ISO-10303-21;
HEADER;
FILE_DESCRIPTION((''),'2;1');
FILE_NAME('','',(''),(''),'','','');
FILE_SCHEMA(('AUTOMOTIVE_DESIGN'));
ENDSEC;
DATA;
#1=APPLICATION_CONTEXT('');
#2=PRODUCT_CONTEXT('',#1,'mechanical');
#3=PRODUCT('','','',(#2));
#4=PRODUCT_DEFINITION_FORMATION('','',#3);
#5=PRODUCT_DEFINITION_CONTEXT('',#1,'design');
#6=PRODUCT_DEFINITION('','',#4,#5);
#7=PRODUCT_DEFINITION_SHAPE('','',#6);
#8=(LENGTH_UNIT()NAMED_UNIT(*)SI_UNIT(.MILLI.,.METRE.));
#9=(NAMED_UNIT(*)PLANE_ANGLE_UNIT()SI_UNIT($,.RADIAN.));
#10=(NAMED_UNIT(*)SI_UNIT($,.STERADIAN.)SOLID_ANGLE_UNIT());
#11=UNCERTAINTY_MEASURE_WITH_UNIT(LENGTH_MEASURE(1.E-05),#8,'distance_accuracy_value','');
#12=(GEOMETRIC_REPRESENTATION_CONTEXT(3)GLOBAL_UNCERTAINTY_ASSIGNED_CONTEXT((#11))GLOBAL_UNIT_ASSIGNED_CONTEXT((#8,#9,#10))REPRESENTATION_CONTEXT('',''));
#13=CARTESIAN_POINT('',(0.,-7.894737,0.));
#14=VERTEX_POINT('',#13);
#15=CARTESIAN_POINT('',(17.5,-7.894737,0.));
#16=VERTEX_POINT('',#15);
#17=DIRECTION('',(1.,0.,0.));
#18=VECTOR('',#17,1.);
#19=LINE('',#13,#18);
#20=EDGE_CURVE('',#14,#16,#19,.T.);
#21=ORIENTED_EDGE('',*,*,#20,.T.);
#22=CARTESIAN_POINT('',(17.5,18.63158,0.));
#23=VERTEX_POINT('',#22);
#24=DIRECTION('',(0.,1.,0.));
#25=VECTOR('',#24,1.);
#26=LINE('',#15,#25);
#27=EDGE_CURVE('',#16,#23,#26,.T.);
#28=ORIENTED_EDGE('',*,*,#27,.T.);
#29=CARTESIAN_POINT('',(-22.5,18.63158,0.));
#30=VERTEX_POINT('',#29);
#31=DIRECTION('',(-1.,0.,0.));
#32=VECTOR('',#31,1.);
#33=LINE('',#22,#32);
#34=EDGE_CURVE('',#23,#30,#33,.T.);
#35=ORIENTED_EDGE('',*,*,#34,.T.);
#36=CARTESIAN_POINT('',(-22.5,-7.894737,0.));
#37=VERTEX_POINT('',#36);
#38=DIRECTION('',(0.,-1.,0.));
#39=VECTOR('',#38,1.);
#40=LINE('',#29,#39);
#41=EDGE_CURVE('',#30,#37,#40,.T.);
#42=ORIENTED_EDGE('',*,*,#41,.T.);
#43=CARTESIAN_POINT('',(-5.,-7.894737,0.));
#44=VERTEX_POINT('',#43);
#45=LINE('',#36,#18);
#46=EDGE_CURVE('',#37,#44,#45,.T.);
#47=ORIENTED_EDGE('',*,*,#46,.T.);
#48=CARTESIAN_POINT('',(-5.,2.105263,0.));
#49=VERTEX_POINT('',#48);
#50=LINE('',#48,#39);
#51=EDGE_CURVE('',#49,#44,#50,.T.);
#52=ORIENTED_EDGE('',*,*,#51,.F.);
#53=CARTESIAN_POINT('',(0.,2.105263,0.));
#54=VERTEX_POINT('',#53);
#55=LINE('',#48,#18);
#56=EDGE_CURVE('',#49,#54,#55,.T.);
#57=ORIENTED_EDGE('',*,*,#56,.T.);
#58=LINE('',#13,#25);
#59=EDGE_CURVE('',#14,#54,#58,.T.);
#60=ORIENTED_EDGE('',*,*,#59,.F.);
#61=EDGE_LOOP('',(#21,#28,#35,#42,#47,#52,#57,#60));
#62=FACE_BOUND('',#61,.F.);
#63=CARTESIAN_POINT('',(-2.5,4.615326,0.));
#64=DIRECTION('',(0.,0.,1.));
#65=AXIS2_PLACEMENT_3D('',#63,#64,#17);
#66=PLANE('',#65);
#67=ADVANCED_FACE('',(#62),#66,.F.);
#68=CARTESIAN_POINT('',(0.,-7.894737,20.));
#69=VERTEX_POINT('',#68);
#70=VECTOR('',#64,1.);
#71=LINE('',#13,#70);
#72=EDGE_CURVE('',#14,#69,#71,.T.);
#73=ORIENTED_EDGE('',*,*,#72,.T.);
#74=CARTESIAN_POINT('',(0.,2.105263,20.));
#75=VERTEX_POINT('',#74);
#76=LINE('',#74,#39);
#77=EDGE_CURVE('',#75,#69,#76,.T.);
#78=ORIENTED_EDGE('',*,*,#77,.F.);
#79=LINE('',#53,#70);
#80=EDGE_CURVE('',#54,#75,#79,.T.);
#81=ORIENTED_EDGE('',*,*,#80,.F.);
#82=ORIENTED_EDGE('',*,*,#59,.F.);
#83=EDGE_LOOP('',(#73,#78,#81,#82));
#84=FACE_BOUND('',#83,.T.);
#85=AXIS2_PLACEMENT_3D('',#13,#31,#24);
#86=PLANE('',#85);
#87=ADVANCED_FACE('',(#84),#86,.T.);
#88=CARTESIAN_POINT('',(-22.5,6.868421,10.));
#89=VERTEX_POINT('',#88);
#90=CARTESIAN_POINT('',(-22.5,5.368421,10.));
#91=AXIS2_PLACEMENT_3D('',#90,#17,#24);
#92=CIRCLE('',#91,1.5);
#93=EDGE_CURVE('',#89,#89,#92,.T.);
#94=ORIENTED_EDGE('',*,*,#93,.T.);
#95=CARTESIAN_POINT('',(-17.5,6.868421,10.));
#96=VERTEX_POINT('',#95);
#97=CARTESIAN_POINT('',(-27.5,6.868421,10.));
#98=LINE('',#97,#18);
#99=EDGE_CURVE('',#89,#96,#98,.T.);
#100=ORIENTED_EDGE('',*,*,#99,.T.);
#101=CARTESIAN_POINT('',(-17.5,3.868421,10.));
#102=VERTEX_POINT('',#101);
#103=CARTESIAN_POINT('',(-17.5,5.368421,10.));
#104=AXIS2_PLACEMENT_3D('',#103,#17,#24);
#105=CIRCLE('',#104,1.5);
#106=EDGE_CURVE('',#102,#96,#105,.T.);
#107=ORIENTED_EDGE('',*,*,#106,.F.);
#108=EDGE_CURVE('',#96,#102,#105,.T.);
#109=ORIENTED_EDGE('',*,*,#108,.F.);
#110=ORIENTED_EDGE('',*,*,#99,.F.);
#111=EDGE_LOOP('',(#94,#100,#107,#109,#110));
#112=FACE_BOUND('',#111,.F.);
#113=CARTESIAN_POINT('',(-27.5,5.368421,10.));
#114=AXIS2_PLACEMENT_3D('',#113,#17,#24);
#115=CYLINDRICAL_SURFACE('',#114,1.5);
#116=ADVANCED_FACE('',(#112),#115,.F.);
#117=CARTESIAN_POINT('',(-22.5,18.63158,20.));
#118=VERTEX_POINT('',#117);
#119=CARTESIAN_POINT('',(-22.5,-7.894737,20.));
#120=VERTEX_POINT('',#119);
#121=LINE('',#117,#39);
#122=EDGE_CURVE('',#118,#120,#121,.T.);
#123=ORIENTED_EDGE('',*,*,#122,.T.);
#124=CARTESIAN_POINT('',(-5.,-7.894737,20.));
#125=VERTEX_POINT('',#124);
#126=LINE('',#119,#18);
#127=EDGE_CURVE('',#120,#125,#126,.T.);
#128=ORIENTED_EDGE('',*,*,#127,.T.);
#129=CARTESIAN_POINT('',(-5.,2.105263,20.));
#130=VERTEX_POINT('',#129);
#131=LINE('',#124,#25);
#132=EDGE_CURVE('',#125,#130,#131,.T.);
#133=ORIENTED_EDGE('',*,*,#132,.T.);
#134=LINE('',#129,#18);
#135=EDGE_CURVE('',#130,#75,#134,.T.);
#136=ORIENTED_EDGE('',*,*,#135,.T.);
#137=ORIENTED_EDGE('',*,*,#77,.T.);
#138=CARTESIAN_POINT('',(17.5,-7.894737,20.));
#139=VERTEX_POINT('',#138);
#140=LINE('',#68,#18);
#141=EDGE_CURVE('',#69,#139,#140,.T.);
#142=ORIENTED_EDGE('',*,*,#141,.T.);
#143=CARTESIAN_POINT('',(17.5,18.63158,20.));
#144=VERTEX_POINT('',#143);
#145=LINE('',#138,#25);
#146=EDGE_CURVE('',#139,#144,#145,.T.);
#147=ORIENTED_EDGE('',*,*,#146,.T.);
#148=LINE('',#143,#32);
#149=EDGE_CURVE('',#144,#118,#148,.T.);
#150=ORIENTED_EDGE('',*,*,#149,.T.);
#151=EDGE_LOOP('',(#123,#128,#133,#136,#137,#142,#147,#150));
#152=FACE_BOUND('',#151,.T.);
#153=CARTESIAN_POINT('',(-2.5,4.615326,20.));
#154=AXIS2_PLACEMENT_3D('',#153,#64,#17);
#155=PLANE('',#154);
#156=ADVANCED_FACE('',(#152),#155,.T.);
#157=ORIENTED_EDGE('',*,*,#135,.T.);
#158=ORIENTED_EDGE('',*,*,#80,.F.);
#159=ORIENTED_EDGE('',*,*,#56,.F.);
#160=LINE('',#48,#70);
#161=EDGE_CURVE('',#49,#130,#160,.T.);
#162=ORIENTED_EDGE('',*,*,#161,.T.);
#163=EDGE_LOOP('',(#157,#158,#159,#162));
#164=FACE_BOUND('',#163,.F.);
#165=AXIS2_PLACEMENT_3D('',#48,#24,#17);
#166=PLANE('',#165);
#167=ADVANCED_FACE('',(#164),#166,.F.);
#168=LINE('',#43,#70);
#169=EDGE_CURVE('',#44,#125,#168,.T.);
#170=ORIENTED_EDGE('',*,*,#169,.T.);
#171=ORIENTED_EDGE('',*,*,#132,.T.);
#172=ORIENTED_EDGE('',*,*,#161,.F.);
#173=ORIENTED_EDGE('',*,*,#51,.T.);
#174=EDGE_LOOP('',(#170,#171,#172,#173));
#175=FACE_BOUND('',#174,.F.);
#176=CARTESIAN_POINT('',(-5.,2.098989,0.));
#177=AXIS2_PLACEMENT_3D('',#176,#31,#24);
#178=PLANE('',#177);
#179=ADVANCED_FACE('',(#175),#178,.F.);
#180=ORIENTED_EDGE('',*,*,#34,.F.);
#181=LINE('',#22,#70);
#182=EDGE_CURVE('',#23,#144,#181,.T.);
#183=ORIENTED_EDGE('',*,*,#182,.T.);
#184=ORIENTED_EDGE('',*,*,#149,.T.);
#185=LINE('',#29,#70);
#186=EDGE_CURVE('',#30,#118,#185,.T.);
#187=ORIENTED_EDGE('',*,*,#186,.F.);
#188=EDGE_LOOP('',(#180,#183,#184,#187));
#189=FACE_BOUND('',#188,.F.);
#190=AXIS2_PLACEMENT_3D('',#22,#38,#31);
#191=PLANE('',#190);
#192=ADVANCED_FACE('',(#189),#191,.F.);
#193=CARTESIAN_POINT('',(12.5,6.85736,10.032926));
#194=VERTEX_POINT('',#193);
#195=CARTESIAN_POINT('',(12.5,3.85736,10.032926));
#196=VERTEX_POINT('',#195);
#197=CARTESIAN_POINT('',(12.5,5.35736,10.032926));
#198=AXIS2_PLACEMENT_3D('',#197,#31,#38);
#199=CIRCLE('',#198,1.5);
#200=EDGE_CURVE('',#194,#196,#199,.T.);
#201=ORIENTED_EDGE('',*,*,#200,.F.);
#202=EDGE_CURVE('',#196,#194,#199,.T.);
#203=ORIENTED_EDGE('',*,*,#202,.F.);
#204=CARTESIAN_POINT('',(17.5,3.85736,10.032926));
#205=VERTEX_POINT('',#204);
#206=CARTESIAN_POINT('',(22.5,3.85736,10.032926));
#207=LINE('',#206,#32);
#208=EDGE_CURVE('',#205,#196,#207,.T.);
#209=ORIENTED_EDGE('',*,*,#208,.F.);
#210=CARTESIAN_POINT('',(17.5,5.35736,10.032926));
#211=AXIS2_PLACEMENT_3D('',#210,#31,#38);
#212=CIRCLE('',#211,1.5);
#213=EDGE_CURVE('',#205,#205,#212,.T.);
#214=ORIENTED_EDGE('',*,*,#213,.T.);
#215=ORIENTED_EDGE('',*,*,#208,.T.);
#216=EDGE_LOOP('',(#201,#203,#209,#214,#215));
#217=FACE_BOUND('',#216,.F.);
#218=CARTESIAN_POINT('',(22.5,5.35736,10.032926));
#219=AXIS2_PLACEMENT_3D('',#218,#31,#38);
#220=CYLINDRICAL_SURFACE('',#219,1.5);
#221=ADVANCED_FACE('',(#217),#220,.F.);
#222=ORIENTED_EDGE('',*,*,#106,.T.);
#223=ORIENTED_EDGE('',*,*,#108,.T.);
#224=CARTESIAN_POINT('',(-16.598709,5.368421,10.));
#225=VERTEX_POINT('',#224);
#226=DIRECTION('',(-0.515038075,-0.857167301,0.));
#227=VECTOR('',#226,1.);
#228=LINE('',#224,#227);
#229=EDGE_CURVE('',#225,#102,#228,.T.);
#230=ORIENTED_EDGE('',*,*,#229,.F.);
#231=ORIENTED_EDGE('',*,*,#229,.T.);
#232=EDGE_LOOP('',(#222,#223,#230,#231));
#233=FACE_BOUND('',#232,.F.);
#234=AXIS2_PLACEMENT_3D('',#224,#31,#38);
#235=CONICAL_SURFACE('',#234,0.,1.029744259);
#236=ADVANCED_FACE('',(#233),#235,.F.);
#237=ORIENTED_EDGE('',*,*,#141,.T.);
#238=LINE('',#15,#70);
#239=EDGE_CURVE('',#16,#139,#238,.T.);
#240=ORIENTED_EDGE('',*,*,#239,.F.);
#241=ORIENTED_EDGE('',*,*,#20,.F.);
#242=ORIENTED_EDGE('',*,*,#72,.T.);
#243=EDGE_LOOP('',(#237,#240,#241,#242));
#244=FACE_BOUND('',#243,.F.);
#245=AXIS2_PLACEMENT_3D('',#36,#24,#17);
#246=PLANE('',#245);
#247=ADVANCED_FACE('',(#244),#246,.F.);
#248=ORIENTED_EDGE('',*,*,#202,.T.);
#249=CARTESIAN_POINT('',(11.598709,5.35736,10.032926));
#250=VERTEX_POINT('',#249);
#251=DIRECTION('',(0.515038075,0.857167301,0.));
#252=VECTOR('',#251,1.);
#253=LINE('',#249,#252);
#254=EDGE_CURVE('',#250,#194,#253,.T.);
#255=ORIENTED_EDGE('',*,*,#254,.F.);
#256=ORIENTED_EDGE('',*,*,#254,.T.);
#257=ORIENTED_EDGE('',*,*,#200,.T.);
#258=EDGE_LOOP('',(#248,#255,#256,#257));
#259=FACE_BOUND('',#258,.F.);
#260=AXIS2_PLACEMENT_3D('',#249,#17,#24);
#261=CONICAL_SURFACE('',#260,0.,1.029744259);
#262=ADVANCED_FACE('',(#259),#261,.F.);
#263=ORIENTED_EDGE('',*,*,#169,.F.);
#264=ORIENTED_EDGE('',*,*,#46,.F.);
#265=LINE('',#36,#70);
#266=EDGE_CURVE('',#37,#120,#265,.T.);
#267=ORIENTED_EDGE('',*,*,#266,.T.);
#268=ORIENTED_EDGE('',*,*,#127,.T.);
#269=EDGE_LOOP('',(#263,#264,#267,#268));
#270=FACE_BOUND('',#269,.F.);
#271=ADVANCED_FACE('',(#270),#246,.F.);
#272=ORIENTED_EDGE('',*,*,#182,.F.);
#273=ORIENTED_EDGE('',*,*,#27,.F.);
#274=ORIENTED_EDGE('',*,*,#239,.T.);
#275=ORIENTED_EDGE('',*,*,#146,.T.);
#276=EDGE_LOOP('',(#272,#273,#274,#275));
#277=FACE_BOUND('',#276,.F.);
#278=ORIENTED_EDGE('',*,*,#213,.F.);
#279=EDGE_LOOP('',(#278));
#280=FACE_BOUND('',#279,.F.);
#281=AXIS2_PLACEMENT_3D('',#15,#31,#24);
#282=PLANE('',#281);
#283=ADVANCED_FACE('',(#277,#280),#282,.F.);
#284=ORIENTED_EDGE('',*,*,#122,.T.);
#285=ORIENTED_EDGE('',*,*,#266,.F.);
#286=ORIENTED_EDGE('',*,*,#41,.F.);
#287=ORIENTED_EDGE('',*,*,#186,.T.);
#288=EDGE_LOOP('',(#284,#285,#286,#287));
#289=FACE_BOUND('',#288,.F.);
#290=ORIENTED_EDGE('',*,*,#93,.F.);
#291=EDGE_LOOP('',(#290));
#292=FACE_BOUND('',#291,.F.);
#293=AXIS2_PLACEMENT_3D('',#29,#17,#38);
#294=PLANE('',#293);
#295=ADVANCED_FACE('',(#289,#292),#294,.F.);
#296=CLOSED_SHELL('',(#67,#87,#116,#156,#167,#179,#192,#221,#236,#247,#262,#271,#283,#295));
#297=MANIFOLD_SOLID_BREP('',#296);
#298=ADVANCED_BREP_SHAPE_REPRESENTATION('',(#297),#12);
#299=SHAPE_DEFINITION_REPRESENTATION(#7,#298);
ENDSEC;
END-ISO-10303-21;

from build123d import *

# Parameters (mm, degrees)
F0_W     = 5
F0_H     = 9.9937266076
F1_DEPTH = 20
F2_DEPTH = 158.6
F5_D     = 3
F5_DEPTH = 5
F5_TIP   = 0.9012909285
F6_D     = 3
F6_DEPTH = 5
F6_TIP   = 0.9012909285


with BuildPart() as f1:
    # F0 (on Top) → F1 (new body)
    with BuildSketch(Plane.XY):
        Polygon((17.5, 18.631580086), (-22.5, 18.631580086), (-22.5, -7.8947371674), (-5, -7.8947371674), (-5, 2.0989894401), (-5, 2.1052628326), (0, 2.1052628326), (0, 2.0989894401), (0, -7.8947371674), (17.5, -7.8947371674), align=None)
        with Locations((-2.5, -2.8978738637)):
            Rectangle(F0_W, F0_H)
    extrude(amount=F1_DEPTH)

    # F0 (on Top) → F2 (cut)
    with BuildSketch(Plane.XY):
        with Locations((-2.5, -2.8978738637)):
            Rectangle(F0_W, F0_H)
    extrude(amount=F2_DEPTH, mode=Mode.SUBTRACT)

    # F5
    with Locations(Plane(origin=(-22.5, 0, 0), x_dir=(0, -1, 0), z_dir=(-1, 0, 0))):
        with Locations((-5.3684214593, 10)):
            Hole(F5_D / 2, depth=F5_DEPTH)
            with Locations((0, 0, -(F5_DEPTH + F5_TIP / 2))):  # 118° drill point
                Cone(0, F5_D / 2, F5_TIP, mode=Mode.SUBTRACT)

    # F6
    with Locations(Plane.YZ.offset(17.5)):
        with Locations((5.357359536, 10.0329257548)):
            Hole(F6_D / 2, depth=F6_DEPTH)
            with Locations((0, 0, -(F6_DEPTH + F6_TIP / 2))):  # 118° drill point
                Cone(0, F6_D / 2, F6_TIP, mode=Mode.SUBTRACT)


solid = f1.part
